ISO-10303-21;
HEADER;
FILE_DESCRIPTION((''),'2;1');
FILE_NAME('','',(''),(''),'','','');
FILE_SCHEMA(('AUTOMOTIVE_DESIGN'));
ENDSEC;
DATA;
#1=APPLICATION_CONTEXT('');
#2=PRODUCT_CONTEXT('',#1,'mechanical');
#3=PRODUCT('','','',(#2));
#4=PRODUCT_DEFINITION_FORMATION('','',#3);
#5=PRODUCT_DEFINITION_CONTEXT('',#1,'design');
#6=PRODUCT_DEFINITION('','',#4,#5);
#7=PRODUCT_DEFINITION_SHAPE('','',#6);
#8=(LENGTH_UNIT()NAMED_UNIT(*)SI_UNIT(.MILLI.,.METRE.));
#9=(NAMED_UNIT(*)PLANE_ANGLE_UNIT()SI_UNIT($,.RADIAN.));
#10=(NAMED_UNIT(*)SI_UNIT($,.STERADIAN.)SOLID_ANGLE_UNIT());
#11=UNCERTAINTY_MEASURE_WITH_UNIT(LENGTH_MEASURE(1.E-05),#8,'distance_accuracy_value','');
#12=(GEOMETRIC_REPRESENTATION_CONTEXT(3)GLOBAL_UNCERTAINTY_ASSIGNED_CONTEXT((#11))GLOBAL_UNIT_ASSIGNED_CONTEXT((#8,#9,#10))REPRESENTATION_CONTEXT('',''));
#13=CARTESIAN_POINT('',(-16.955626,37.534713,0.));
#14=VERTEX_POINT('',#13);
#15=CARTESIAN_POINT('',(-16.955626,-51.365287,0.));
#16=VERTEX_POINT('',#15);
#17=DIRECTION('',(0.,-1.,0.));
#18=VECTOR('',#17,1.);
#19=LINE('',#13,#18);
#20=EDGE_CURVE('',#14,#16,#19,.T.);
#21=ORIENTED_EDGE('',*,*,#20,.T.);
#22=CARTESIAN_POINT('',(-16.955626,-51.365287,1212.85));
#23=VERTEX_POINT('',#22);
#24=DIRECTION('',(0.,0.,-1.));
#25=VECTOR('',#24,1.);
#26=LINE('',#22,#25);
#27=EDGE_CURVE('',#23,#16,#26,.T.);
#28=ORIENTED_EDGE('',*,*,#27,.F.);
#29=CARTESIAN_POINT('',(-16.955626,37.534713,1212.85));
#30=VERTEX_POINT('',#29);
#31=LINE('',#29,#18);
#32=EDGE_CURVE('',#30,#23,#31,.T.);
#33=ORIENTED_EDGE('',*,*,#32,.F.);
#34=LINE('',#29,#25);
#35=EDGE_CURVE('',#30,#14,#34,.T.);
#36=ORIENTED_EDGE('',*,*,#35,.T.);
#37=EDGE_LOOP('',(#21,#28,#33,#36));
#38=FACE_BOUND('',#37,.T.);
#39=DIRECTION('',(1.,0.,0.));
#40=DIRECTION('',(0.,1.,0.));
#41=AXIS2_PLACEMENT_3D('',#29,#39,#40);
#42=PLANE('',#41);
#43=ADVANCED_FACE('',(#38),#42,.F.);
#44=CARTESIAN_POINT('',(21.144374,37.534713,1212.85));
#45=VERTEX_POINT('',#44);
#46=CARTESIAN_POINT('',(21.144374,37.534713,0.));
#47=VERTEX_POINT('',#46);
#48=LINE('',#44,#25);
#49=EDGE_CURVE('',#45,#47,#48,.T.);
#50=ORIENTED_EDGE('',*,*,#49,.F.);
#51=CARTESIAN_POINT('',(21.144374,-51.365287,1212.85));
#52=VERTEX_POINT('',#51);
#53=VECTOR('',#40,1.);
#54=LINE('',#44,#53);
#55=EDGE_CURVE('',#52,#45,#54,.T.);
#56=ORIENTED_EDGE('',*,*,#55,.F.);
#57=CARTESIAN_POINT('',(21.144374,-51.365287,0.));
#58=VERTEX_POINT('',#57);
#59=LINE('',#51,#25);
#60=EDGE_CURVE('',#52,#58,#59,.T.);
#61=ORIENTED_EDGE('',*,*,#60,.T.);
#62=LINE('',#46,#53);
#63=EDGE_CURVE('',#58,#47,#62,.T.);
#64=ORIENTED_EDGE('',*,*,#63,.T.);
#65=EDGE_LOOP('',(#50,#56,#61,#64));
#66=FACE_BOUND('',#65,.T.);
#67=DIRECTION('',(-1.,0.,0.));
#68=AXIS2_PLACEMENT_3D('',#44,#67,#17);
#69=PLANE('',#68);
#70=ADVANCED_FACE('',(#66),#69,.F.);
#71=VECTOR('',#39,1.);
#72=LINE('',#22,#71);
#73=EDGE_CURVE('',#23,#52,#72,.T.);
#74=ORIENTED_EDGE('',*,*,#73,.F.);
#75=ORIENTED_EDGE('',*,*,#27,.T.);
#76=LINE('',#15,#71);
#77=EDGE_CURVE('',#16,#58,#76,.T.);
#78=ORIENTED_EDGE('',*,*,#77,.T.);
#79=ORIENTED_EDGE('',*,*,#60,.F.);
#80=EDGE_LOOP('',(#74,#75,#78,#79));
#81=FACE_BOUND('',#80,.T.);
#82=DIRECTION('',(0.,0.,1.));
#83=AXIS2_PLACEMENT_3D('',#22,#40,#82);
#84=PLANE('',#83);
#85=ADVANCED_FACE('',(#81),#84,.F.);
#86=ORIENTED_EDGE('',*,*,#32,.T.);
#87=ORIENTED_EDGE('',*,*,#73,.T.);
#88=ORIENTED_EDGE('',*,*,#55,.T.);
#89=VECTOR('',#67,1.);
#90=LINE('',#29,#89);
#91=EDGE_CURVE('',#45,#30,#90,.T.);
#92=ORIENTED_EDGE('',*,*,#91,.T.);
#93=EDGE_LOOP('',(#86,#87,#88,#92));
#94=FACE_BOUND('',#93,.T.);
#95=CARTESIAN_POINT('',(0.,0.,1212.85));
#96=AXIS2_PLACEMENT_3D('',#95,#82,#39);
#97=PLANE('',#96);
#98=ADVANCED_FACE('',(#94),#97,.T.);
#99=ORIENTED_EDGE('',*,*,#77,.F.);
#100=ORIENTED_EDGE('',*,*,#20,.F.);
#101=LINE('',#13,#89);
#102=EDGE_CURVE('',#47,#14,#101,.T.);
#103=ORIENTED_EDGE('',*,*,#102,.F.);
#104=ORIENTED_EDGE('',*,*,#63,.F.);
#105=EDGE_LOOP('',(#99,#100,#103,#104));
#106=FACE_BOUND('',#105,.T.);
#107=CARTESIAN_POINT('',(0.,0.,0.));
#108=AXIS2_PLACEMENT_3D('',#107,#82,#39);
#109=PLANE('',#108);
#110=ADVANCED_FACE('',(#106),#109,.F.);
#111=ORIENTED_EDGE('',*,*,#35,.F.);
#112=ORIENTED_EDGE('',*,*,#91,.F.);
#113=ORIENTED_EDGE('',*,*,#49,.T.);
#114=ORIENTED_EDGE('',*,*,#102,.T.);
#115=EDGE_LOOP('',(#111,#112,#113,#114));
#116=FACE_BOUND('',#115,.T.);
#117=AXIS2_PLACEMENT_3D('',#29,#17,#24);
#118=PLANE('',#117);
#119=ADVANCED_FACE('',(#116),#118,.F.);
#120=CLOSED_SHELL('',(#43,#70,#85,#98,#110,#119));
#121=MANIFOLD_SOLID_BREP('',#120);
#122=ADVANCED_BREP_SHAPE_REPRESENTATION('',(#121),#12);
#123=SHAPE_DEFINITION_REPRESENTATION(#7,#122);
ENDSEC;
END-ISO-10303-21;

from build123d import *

# Parameters (mm, degrees)
SKETCH1_W           = 38.1
SKETCH1_H           = 88.9
BOSS_EXTRUDE1_DEPTH = 1212.85


with BuildPart() as part:
    # Sketch1 → Boss-Extrude1 (new body)
    with BuildSketch(Plane.XY):
        with Locations((2.094373614, -6.915287221)):
            Rectangle(SKETCH1_W, SKETCH1_H)
    extrude(amount=BOSS_EXTRUDE1_DEPTH)


solid = part.part
